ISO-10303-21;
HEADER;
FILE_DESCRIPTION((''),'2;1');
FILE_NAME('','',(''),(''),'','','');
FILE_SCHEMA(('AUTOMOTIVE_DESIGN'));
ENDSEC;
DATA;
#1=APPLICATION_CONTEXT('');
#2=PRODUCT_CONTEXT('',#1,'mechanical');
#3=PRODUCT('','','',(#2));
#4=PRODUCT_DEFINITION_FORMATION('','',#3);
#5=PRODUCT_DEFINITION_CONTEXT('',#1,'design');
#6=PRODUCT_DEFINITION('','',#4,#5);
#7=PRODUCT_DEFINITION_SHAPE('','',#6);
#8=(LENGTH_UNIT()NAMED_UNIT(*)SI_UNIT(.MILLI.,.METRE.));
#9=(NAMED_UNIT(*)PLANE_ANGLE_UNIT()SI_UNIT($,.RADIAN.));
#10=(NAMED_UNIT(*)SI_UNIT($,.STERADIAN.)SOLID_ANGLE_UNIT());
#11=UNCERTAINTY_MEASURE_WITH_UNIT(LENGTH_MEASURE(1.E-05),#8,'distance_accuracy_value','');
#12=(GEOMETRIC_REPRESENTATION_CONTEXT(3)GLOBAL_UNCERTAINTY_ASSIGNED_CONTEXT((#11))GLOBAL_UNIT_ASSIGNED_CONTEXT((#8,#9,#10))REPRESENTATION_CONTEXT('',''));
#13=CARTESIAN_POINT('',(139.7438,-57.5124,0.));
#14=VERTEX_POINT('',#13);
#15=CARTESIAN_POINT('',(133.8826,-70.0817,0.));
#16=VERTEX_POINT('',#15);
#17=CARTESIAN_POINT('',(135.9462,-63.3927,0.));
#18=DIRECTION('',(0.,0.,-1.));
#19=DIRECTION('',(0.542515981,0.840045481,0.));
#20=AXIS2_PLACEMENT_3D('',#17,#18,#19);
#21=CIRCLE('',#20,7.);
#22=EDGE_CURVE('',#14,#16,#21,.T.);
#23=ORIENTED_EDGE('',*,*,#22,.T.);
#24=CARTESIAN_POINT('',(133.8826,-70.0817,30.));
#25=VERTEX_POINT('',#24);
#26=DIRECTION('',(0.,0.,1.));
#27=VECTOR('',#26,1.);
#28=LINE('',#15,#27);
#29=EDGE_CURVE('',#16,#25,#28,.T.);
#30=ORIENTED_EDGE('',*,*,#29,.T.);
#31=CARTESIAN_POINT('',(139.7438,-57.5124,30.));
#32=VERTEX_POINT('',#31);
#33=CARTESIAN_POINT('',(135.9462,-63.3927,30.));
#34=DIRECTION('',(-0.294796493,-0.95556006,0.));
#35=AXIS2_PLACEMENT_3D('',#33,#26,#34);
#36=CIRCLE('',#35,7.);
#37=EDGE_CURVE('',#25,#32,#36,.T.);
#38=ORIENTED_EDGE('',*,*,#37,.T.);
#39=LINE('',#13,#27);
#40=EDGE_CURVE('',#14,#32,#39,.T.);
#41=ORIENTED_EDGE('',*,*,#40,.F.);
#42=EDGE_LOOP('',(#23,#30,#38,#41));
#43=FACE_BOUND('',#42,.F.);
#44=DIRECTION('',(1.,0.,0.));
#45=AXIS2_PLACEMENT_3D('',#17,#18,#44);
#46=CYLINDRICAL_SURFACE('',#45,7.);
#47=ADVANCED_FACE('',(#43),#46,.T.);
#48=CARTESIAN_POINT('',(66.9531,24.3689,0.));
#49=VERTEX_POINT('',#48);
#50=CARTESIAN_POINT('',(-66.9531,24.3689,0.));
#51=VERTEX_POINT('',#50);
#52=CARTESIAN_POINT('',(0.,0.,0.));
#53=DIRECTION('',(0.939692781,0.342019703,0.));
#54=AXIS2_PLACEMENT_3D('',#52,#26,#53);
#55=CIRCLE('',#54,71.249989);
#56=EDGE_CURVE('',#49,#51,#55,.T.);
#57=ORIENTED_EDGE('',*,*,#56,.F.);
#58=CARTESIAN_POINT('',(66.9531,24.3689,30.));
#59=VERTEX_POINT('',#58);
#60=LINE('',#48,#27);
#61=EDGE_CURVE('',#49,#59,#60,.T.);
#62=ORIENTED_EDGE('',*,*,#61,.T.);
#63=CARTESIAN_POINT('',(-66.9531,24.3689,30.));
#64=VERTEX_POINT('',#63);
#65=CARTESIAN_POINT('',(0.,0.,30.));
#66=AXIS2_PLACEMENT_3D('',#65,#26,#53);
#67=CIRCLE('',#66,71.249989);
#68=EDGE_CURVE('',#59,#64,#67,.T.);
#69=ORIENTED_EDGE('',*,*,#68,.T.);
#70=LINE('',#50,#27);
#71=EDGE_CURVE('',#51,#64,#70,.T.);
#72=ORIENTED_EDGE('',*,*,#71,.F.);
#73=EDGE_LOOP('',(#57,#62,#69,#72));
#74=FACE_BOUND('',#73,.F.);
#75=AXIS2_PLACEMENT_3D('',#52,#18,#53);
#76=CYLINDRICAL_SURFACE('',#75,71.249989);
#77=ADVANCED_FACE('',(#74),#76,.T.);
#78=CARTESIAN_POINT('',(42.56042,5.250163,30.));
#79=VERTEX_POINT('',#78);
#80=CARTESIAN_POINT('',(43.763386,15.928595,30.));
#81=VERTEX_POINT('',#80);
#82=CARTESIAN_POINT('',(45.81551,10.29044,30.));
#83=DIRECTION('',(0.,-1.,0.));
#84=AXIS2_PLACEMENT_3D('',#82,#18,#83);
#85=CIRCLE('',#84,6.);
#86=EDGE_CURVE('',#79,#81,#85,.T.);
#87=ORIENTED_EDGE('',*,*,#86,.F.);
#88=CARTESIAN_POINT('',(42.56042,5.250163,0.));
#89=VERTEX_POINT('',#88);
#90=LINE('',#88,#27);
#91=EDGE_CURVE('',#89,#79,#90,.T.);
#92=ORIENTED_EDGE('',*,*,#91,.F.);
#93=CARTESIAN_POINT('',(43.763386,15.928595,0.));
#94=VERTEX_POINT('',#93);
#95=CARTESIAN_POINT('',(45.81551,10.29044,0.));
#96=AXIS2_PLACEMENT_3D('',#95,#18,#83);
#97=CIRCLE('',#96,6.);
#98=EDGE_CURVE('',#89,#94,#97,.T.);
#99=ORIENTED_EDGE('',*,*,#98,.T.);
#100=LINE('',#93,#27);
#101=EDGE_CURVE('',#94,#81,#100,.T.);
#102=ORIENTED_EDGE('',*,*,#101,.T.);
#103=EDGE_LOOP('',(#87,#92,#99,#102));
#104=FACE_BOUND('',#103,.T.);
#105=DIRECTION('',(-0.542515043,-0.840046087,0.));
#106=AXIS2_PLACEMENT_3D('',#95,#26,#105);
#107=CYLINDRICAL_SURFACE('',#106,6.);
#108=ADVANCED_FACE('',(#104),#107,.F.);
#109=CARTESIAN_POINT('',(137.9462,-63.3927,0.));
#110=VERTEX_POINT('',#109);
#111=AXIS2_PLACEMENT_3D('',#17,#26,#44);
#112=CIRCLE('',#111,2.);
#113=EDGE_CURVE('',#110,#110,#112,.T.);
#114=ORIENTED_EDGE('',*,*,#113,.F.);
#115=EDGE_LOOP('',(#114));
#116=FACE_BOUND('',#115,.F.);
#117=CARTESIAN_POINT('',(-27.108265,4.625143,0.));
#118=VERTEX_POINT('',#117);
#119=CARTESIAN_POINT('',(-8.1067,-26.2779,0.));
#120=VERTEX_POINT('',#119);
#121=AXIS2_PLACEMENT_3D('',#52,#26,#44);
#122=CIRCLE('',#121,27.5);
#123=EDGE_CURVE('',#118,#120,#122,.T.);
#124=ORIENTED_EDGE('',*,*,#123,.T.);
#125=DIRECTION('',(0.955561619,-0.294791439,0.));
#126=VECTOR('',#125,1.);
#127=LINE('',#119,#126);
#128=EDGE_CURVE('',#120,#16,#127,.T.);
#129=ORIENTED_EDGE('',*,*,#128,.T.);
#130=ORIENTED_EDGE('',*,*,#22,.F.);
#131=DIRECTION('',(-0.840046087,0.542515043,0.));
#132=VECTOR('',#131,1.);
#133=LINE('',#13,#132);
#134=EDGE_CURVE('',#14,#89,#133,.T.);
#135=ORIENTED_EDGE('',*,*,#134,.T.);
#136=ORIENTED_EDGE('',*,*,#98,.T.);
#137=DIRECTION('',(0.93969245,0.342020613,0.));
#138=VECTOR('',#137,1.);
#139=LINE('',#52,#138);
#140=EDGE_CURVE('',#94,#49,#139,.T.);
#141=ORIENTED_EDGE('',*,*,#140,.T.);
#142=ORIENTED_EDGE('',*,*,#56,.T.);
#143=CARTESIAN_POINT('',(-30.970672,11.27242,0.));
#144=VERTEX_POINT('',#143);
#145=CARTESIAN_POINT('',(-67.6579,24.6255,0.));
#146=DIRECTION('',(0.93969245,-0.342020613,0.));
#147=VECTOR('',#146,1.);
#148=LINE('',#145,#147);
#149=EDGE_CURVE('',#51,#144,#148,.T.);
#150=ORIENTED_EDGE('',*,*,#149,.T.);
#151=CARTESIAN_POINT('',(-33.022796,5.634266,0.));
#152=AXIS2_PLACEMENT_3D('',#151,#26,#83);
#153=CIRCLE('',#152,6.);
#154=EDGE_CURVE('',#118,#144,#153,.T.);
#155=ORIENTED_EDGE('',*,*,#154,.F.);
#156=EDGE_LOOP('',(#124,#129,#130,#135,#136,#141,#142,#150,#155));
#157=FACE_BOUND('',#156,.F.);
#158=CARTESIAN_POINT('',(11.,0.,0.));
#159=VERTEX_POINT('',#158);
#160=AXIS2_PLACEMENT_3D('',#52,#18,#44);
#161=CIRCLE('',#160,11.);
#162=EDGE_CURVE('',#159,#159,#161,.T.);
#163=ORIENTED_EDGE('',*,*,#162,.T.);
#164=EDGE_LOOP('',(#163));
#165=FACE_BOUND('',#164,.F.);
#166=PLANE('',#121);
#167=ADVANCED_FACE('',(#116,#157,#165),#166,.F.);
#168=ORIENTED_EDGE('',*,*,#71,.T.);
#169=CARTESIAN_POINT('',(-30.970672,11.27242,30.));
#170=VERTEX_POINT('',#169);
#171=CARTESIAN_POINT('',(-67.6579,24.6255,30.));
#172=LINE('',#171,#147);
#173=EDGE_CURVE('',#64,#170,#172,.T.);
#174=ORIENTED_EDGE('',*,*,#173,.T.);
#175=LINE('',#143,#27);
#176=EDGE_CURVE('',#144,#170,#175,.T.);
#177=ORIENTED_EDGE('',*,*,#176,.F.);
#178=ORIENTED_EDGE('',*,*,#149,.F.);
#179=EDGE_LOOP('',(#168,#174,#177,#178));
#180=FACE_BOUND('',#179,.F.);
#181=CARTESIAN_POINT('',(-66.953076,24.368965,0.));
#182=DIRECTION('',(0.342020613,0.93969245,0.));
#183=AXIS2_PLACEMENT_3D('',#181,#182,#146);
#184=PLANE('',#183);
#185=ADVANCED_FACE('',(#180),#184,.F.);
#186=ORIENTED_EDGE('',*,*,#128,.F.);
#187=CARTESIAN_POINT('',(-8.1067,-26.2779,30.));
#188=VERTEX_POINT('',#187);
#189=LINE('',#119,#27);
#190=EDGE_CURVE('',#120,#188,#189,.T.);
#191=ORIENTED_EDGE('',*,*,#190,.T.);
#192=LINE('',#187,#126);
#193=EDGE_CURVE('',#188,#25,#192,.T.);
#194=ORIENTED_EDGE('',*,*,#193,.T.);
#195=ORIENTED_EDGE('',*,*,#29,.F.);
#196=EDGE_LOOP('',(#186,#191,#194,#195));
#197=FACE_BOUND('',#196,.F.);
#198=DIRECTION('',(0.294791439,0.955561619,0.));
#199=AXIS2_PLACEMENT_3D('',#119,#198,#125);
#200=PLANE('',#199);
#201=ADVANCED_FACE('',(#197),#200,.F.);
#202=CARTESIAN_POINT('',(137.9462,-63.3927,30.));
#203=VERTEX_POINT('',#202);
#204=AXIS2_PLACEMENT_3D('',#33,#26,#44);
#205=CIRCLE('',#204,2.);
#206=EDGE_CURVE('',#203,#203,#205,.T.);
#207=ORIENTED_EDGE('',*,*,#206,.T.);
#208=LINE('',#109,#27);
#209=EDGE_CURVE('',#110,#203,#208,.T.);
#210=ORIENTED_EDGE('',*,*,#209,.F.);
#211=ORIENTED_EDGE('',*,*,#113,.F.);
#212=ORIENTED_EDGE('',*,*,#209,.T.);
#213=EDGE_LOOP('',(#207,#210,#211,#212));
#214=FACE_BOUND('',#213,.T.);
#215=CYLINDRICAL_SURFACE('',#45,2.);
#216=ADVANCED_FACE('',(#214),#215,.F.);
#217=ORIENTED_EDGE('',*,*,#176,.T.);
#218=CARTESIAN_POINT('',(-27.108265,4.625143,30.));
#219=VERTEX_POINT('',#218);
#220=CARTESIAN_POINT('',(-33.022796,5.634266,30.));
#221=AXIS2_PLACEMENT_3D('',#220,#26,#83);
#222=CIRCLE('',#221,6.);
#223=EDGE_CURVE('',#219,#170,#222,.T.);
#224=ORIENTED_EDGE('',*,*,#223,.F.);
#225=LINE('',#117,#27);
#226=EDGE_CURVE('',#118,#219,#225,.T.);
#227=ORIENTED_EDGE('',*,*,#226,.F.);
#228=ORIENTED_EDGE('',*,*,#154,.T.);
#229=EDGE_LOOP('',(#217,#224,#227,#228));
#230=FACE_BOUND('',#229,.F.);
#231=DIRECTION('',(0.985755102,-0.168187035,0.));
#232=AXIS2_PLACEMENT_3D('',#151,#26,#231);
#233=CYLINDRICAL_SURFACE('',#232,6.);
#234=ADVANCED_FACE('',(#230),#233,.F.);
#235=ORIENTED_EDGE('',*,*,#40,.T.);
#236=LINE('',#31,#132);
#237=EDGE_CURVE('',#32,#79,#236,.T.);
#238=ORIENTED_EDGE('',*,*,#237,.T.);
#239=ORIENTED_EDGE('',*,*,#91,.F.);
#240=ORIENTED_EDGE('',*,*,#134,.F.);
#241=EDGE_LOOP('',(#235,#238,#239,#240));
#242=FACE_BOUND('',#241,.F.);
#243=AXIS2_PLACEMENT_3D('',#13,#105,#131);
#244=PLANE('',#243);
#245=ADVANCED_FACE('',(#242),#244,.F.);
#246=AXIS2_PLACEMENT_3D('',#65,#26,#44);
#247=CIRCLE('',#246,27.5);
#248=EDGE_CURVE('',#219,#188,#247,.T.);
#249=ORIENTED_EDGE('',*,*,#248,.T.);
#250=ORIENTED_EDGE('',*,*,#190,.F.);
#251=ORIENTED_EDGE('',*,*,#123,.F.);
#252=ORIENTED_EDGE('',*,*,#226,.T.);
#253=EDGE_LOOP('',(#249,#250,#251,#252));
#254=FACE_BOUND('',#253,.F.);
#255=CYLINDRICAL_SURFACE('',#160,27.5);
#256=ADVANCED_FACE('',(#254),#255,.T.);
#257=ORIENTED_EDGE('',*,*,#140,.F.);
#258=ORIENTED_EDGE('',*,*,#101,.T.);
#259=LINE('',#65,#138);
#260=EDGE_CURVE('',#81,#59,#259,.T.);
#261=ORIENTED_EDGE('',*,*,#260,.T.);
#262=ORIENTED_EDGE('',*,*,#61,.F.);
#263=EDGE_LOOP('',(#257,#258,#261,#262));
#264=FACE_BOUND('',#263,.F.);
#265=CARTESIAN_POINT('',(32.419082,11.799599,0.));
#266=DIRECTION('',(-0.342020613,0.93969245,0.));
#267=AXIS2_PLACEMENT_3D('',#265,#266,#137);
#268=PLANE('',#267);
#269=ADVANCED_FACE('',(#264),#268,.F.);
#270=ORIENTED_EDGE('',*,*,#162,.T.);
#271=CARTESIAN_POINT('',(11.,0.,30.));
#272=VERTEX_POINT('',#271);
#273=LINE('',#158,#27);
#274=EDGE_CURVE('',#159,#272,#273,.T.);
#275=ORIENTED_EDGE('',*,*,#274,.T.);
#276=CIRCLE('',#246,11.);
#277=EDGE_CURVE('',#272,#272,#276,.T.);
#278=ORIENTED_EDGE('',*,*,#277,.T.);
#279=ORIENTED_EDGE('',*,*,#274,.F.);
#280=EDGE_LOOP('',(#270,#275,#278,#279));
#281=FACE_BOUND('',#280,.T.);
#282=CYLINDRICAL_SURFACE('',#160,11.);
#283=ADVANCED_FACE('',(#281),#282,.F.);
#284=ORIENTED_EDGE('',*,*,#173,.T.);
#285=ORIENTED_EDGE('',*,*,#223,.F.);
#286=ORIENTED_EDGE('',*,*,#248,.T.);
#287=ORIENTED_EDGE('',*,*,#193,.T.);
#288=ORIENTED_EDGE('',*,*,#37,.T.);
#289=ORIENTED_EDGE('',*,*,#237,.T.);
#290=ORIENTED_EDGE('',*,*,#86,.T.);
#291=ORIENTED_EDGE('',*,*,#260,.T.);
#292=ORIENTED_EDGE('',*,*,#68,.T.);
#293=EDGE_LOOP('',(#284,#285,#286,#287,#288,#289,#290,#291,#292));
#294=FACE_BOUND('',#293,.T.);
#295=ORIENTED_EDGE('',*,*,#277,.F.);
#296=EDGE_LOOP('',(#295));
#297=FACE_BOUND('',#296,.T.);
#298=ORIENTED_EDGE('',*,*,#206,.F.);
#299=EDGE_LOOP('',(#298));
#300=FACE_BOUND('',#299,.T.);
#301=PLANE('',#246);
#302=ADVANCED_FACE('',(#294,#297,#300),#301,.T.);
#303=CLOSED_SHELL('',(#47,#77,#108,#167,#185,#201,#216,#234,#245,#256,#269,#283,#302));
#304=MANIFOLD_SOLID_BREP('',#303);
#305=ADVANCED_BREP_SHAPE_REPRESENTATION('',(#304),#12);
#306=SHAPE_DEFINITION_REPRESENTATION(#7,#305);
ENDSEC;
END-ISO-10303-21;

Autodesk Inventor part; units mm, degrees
ref_plane "YZ Plane" through (0, 0, 0) normal (1, 0, 0) x (0, 1, 0)
ref_plane "XZ Plane" through (0, 0, 0) normal (0, 1, 0) x (-1, 0, 0)
ref_plane "XY Plane" through (0, 0, 0) normal (0, 0, 1) x (1, 0, 0)
sketch "Sketch1" plane through (0, 0, 0) normal (0, 0, 1) x (1, 0, 0)
  circle A0 centre (0, 0) radius 11
  circle A1 centre (0, 84) radius 14 construction
  circle A2 centre (0, 0) radius 72 construction
  circle A3 centre (0, 84) radius 12 construction
  line L0 (0, 84) -> (0, 0) construction
  line L1 (-67.6579, 24.6255) -> (0, 0) construction
  line L2 (67.6579, 24.6255) -> (0, 0) construction
  circle A4 centre (0, 84) radius 35 construction
  line L3 (-60, 71.9226) -> (-60, 144) construction
  line L4 (-60, 144) -> (60, 144) construction
  line L5 (60, 144) -> (60, 71.9226) construction
  circle A5 centre (0, 0) radius 27.5
  line L6 (25.3583, -10.6399) -> (60, 71.9226) construction
  line L7 (-60, 71.9226) -> (-25.3583, -10.6399) construction
  line L8 (0, 0) -> (135.9462, -63.3927) construction
  line L9 (-24.7487, 59.2513) -> (24.7487, 59.2513) construction
  circle A6 centre (0, 84) radius 60 construction
  arc A7 (67.6579, 24.6255) -> (-67.6579, 24.6255) centre (0, 0) ccw
  arc A8 (66.9531, 24.3689) -> (-66.9531, 24.3689) centre (0, 0) ccw
  line L10 (67.3977, 25.3289) -> (67.4014, 25.3302)
  circle A9 centre (135.9462, -63.3927) radius 2
  circle A10 centre (135.9462, -63.3927) radius 7
  line L11 (-67.6579, 24.6255) -> (0, 0)
  line L12 (0, 0) -> (67.6579, 24.6255)
  line L13 (-8.1067, -26.2779) -> (133.8826, -70.0817)
  line L14 (139.7438, -57.5124) -> (14.9192, 23.1013)
  point P0 (24.7487, 108.7487)
  point P1 (-24.7487, 108.7487)
  point P2 (-25.8415, 9.4056)
  point P3 (32.419, 11.7996)
  point P4 (66.9531, 24.3689)
  point P5 (-66.9531, 24.3689)
  dimension "d7" = 70
  dimension "d2" = 24
  dimension "d3" = 144
  dimension "d4" = 28
  dimension "d5" = 22
  dimension "d6" = 220
  dimension "d8" = 360
  dimension "d9" = 55
  dimension "d10" = 150
  dimension "d11" = 45
  dimension "d12" = 120
  dimension "d13" = 0.75
  dimension "d14" = 4
  dimension "d15" = 14
extrude "Extrusion1" add sketch "Sketch1" along normal blind 30 contours A0 L12 A5 L11 | A0 L11 A5 L12 | L12 L14 A10 L13 A5 | A5 L14 L12 | L11 A8 L12 L14 A5 | A10
fillet "Fillet1" radius 6 2 edges at (-25.8415, 9.4056, 15) (32.419, 11.7996, 15)
equation "\"d3\" = 6 * d2"
properties part number "RT_ARM_MC_008_Capstand_Arm"
